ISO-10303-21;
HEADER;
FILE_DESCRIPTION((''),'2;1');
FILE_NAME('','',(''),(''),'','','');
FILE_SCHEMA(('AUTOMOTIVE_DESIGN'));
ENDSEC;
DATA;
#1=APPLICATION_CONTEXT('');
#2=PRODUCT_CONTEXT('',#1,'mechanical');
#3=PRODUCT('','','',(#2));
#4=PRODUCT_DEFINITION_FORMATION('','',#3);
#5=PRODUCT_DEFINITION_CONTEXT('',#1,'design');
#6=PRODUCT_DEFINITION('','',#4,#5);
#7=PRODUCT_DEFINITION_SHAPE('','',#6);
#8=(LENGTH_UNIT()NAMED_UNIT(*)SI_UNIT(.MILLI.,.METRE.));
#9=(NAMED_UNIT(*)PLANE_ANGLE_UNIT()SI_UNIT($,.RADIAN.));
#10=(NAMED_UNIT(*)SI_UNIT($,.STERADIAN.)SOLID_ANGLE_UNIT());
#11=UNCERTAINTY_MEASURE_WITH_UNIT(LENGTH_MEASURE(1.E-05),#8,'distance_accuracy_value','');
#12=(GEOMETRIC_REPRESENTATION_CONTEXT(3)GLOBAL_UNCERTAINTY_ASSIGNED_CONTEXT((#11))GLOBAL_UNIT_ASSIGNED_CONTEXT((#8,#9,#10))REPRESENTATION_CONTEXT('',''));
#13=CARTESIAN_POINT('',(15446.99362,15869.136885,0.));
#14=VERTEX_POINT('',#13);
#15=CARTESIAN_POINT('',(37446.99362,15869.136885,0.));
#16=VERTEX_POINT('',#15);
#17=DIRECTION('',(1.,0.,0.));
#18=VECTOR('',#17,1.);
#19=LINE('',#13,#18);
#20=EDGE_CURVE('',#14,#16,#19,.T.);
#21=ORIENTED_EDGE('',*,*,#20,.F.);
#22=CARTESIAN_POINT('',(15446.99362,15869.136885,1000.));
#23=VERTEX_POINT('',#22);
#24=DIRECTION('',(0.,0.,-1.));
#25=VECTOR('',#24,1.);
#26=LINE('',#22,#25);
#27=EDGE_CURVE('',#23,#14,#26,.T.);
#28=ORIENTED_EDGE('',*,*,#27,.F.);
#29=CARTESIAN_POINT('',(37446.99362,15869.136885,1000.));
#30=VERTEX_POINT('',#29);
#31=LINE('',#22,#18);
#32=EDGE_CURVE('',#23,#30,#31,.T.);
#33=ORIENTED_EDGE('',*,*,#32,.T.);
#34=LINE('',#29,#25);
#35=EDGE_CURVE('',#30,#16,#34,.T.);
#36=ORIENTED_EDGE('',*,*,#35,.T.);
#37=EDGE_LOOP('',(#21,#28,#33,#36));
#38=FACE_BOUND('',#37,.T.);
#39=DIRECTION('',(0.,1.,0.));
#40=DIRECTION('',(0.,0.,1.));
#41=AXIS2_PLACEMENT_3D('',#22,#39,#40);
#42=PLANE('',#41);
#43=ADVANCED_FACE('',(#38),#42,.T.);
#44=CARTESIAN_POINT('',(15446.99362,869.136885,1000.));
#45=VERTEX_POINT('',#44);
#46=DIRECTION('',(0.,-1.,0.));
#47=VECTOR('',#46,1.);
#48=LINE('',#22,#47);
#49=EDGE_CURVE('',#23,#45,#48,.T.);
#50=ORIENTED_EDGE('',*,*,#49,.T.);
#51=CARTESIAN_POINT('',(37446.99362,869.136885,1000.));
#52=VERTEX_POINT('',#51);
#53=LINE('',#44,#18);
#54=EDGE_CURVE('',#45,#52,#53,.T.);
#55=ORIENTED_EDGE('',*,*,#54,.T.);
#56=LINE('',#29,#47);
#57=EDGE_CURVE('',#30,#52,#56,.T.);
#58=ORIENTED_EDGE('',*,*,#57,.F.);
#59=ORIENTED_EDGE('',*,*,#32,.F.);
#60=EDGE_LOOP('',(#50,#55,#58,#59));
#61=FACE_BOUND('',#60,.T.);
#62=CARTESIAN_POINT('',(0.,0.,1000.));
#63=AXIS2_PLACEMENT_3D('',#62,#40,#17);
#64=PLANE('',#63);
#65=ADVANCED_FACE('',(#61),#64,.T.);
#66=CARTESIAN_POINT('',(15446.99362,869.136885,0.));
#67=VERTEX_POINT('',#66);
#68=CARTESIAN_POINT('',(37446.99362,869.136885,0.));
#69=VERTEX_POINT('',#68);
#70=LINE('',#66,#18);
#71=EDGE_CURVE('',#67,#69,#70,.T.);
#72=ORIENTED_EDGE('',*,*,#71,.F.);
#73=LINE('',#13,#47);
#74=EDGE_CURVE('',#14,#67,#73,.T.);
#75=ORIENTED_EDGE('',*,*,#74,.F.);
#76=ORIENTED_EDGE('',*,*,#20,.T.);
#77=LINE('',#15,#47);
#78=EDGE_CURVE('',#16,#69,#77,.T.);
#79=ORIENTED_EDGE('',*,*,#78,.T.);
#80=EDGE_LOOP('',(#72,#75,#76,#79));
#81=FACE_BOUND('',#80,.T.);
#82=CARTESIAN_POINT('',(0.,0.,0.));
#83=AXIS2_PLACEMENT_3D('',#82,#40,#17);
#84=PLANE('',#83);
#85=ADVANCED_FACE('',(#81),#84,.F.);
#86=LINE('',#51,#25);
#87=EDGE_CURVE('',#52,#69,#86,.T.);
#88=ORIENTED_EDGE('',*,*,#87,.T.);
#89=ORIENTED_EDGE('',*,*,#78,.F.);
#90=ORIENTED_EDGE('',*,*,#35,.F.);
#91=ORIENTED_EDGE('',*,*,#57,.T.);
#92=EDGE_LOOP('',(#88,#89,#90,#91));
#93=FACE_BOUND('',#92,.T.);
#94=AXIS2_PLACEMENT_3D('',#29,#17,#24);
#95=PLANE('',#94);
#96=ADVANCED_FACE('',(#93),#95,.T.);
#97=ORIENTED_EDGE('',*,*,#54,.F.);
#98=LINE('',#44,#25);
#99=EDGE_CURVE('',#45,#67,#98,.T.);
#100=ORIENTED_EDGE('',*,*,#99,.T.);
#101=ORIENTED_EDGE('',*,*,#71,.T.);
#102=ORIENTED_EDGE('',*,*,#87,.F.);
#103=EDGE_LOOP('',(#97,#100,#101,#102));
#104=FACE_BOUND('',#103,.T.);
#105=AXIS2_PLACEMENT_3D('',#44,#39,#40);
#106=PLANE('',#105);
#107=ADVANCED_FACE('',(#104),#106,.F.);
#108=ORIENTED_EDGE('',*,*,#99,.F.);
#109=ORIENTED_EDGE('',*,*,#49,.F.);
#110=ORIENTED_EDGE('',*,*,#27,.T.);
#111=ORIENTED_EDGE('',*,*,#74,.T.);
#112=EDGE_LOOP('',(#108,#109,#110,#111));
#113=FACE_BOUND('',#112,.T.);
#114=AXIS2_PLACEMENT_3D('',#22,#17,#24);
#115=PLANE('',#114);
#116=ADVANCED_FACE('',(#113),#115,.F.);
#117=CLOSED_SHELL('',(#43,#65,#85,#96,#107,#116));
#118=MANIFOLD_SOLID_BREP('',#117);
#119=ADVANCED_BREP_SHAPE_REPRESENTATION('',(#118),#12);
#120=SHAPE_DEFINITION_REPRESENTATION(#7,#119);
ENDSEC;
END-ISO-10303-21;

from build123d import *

# Parameters (mm, degrees)
CROQUIS1_W              = 22000
CROQUIS1_H              = 15000
SALIENTE_EXTRUIR2_DEPTH = 1000


with BuildPart() as part:
    # Croquis1 → Saliente-Extruir2 (new body)
    with BuildSketch(Plane(origin=(37728.547017751, 1888.55436109, 0), x_dir=(1, 0, 0), z_dir=(0, 0, 1))):
        with Locations((-11281.553398058, 6480.582524272)):
            Rectangle(CROQUIS1_W, CROQUIS1_H)
    extrude(amount=SALIENTE_EXTRUIR2_DEPTH)


solid = part.part
